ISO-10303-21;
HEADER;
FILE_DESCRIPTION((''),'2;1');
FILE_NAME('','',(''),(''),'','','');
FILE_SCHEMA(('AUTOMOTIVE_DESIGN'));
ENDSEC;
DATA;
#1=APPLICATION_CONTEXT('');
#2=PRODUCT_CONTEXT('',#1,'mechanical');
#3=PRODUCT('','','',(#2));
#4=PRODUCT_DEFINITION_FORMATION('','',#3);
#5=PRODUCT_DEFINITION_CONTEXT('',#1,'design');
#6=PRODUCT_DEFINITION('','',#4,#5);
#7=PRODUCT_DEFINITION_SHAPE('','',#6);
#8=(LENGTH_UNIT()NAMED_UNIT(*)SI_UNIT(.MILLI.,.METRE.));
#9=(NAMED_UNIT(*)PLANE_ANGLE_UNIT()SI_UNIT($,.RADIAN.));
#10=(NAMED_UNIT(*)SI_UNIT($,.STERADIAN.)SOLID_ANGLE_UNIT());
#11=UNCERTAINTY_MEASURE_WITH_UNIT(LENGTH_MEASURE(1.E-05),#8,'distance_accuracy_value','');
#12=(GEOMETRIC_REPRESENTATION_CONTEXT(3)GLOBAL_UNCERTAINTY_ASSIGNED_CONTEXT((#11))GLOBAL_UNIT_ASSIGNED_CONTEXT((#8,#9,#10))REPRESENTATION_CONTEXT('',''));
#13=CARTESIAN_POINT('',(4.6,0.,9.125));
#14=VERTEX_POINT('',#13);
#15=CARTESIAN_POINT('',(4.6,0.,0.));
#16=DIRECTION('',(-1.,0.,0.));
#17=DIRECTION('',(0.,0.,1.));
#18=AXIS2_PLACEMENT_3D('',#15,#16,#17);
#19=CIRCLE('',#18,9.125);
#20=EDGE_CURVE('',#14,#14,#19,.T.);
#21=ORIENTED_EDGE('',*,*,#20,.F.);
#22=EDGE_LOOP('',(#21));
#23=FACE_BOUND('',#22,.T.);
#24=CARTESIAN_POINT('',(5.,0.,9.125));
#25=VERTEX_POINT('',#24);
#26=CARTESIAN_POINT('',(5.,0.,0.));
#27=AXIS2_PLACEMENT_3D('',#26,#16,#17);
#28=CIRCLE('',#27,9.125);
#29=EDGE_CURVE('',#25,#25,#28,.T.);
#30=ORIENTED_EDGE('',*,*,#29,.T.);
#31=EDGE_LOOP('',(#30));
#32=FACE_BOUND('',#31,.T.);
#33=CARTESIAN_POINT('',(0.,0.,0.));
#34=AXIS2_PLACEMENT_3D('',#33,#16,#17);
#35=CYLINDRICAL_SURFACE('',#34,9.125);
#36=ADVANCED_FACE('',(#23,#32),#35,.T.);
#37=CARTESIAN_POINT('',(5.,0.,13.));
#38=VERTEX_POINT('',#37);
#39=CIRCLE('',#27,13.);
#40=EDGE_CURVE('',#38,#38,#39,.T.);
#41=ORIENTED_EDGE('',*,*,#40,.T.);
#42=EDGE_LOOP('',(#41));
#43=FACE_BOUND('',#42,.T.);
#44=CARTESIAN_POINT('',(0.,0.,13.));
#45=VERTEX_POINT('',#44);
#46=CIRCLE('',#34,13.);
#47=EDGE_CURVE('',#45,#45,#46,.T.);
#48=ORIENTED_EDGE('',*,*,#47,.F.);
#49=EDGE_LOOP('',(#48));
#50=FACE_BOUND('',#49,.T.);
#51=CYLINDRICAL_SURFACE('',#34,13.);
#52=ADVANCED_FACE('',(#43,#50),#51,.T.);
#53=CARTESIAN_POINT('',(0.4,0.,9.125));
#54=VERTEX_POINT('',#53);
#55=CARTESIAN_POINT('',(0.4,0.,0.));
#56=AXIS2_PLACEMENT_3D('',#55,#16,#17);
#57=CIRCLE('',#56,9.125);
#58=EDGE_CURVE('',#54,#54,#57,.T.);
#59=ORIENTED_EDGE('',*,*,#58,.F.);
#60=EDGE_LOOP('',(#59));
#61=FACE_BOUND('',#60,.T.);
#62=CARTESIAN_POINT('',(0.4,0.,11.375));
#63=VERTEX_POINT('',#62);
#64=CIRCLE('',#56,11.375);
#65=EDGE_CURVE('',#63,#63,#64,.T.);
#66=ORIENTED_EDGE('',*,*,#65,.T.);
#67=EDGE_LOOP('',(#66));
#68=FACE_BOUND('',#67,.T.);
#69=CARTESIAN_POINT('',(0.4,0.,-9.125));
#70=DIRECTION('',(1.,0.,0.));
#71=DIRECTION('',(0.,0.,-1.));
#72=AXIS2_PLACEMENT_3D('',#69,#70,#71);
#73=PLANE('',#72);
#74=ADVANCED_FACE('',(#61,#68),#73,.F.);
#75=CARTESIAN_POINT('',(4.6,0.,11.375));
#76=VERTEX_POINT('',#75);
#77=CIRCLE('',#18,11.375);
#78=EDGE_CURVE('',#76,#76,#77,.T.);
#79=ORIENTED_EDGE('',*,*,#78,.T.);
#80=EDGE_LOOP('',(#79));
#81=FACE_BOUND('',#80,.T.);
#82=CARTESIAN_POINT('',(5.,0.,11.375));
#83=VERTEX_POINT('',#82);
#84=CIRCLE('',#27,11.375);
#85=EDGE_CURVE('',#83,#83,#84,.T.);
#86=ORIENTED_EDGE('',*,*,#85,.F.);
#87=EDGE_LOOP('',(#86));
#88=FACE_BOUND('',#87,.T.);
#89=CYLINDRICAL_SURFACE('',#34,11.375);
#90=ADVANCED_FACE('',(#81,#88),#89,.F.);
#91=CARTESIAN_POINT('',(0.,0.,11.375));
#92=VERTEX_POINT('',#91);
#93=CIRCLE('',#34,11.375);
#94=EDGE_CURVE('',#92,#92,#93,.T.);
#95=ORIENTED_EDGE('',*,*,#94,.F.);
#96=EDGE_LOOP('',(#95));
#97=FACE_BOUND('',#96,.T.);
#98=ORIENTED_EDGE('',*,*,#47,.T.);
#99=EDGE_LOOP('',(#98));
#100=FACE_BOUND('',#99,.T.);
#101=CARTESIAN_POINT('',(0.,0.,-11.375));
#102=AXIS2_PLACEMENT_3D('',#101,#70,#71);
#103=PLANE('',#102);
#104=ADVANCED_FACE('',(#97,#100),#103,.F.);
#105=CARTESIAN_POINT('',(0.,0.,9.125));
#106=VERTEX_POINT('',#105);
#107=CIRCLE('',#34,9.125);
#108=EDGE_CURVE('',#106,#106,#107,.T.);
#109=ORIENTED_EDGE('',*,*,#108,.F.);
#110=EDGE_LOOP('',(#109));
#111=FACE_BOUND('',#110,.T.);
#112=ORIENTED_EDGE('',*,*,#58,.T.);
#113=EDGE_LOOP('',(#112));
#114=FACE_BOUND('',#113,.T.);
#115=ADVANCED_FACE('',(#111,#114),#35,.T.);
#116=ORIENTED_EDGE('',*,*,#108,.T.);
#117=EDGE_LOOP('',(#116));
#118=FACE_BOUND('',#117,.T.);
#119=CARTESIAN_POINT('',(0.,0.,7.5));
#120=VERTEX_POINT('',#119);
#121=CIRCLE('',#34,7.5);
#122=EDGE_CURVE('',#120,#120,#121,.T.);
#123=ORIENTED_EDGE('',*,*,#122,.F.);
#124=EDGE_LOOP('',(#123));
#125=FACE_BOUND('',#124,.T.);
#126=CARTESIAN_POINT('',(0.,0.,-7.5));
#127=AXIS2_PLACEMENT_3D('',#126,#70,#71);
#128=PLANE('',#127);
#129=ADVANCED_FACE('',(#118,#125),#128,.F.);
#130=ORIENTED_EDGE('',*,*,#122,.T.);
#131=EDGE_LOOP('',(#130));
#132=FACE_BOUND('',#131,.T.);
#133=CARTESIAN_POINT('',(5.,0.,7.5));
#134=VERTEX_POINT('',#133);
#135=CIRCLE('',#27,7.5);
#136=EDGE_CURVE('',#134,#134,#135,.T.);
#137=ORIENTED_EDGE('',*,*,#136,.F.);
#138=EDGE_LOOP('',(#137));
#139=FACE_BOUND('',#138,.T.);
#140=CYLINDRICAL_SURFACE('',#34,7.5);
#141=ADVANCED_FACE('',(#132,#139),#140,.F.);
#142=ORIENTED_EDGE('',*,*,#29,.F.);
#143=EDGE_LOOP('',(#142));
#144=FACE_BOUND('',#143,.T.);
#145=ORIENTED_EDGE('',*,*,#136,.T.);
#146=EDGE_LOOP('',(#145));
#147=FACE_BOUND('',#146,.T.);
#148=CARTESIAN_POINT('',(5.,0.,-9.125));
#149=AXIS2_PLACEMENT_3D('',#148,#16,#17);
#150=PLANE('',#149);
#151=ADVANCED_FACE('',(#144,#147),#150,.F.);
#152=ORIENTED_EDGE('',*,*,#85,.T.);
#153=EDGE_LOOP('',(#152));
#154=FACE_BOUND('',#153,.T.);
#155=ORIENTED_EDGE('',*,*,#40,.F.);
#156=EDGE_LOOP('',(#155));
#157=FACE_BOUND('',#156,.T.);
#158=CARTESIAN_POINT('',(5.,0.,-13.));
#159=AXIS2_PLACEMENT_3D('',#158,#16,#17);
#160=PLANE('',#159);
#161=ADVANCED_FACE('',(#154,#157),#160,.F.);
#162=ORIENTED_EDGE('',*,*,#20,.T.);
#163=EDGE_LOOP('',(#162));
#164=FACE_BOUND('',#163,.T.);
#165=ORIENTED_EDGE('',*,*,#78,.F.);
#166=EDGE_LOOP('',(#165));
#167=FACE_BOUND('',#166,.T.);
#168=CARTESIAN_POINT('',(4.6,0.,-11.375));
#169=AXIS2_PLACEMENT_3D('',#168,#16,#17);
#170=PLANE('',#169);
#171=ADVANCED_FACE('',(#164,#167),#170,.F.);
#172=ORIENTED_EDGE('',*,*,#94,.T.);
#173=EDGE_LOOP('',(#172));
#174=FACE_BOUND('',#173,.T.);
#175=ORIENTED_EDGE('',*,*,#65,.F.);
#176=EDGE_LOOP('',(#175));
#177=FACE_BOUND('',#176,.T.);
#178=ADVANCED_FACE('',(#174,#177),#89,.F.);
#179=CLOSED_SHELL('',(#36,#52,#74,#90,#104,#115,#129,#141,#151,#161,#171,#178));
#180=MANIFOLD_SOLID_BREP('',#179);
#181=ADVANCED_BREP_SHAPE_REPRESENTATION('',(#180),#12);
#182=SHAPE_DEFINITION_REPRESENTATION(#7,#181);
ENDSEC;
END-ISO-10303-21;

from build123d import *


with BuildPart() as part:
    # Sketch1 → Revolve1 (revolve)
    with BuildSketch(Plane(origin=(0, 0, 0), x_dir=(1, 0, 0), z_dir=(0, 1, 0)), mode=Mode.PRIVATE) as revolve1_sk:
        Polygon((0, 7.5), (0, 9.125), (0.4, 9.125), (0.4, 11.375), (0, 11.375), (0, 13), (5, 13), (5, 11.375), (4.6, 11.375), (4.6, 9.125), (5, 9.125), (5, 7.5), align=None)
    revolve(revolve1_sk.sketch.rotate(Axis((0, 0, 0), (1, 0, 0)), 180), axis=Axis((0, 0, 0), (1, 0, 0)))


solid = part.part
